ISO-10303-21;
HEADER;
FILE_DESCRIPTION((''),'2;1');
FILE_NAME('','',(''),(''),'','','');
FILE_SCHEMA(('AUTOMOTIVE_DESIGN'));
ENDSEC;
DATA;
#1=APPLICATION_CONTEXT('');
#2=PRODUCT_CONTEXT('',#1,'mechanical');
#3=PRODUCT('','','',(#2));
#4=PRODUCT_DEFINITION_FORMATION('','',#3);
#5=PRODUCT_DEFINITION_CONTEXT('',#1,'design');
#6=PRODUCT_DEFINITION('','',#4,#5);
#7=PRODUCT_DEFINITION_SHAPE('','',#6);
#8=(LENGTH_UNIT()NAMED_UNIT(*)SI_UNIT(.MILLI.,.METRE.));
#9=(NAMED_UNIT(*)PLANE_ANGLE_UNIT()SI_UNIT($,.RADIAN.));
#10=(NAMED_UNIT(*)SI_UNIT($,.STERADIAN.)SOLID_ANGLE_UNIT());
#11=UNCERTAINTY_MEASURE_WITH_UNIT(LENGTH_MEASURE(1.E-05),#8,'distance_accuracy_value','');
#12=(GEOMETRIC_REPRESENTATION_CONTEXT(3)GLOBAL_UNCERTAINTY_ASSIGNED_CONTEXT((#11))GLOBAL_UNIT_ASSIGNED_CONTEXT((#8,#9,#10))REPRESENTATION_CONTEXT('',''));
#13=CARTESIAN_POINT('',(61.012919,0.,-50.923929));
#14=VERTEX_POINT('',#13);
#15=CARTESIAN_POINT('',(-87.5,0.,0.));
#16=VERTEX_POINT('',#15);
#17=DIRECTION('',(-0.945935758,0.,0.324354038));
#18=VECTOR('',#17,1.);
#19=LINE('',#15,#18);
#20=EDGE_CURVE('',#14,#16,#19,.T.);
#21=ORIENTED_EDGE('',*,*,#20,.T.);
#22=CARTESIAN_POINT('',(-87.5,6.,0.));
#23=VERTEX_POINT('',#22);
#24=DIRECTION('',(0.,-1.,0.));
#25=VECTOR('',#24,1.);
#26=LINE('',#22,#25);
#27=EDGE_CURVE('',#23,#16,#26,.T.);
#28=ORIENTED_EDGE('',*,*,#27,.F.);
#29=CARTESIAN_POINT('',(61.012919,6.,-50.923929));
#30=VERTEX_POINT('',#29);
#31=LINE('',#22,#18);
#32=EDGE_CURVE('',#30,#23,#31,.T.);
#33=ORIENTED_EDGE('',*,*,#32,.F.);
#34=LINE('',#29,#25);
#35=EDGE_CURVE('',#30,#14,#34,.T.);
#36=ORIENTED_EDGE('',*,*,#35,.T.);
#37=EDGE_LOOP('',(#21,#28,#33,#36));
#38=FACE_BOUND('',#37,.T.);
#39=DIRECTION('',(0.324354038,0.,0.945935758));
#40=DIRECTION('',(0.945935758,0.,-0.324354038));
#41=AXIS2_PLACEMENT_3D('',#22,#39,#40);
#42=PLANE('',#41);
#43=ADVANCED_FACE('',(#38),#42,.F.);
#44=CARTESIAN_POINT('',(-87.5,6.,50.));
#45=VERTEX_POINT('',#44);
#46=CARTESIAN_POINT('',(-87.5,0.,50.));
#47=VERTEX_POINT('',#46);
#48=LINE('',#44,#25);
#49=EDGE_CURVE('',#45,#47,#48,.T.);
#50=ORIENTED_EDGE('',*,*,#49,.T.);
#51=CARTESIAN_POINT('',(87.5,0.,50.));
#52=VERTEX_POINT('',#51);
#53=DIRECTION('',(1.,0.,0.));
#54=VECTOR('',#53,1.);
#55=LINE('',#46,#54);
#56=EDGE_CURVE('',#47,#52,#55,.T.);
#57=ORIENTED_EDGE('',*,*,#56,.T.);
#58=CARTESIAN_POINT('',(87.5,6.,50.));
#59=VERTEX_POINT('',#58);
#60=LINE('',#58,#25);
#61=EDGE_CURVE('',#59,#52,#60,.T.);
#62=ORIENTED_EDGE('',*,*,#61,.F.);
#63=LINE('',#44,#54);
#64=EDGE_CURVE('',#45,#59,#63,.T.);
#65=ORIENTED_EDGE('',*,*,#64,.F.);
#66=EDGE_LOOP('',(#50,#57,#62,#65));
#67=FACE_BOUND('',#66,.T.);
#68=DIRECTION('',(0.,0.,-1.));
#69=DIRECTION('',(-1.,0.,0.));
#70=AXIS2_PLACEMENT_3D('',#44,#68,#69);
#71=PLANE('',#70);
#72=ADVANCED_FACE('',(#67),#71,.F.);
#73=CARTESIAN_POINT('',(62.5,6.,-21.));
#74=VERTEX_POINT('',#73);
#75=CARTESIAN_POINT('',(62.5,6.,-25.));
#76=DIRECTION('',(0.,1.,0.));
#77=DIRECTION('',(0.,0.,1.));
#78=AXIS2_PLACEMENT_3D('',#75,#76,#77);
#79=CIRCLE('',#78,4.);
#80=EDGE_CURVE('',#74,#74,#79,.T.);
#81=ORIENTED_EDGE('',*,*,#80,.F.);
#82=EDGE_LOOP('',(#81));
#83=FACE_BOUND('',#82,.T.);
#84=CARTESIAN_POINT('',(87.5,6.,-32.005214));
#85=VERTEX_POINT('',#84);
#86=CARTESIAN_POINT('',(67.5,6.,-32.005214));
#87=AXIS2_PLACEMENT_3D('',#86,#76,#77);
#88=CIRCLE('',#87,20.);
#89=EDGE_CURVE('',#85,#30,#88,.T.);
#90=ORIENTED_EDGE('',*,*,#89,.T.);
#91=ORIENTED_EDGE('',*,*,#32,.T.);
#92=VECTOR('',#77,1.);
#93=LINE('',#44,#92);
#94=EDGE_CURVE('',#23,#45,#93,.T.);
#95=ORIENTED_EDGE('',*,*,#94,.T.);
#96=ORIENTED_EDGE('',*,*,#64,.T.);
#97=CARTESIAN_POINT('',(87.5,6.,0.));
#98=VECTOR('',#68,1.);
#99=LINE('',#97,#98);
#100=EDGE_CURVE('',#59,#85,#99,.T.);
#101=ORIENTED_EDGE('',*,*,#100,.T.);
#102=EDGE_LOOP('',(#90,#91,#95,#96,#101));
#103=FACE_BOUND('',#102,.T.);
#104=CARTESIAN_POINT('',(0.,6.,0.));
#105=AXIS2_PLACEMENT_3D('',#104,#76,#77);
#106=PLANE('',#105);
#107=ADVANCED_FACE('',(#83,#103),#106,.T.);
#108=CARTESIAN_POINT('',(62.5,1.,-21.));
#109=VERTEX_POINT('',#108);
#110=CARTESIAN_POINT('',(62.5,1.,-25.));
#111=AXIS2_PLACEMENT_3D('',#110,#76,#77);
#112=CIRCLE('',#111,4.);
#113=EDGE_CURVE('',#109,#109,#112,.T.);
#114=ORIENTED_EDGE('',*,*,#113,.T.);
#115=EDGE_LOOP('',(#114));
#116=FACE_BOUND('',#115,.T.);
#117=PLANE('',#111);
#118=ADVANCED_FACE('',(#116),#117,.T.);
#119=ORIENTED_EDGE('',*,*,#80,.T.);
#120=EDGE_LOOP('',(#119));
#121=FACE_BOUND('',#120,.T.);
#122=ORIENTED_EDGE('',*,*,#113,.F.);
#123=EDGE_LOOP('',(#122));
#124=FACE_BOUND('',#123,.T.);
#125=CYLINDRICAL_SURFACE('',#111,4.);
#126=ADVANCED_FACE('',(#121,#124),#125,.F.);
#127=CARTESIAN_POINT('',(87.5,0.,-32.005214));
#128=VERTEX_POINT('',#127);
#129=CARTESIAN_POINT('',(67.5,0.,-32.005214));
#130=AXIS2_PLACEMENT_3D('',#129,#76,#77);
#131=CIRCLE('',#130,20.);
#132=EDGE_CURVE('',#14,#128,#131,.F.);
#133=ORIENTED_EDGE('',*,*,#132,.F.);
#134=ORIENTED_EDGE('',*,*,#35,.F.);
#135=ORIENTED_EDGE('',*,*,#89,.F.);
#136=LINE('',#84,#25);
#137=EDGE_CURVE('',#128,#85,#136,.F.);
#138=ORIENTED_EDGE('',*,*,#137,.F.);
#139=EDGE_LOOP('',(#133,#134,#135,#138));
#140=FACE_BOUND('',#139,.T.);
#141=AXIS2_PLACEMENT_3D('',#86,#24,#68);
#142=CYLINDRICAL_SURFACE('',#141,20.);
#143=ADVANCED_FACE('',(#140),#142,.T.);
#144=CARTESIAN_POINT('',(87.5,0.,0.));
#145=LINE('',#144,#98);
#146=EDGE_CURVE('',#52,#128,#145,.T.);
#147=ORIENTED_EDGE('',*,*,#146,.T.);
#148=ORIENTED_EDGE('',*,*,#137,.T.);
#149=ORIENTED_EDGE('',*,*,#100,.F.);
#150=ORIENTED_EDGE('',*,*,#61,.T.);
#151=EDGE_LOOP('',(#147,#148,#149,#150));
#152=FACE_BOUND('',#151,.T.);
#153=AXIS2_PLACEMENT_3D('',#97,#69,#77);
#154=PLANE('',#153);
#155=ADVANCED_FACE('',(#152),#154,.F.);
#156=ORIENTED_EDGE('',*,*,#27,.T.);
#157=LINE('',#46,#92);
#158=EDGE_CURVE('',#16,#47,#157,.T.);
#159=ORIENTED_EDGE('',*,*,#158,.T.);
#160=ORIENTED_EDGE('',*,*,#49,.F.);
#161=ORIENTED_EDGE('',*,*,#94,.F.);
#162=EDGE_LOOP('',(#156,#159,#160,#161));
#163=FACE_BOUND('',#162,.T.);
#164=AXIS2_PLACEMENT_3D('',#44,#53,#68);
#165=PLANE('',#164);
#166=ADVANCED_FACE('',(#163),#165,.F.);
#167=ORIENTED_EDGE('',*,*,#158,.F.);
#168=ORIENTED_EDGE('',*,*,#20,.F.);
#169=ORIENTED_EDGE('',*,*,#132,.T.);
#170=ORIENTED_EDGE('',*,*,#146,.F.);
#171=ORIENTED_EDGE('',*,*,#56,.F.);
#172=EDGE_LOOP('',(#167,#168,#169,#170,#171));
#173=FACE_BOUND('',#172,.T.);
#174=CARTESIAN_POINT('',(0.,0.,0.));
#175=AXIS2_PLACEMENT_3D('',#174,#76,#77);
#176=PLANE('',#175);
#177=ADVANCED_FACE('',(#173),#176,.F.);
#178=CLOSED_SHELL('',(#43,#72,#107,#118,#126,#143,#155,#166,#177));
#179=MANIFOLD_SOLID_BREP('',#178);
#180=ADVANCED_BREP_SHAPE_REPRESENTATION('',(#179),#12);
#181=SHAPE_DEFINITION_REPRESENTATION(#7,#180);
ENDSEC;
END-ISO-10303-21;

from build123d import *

# Parameters (mm, degrees)
BOSS_EXTRUDE1_DEPTH = 6
FILLET2_R           = 20
SKETCH7_R           = 4
CUT_EXTRUDE3_DEPTH  = 5


with BuildPart() as part:
    # Sketch4 → Boss-Extrude1 (new body)
    with BuildSketch(Plane(origin=(0, 0, 0), x_dir=(1, 0, 0), z_dir=(0, 1, 0))):
        Polygon((-87.5, -50), (87.5, -50), (87.5, 0), (87.5, 60.006143386), (-87.5, 0), align=None)
    extrude(amount=BOSS_EXTRUDE1_DEPTH)

    # Fillet2
    fillet2_edges = [part.edges().sort_by_distance(p)[0] for p in [
        (87.5, 3, -60.006143386),
    ]]
    fillet(fillet2_edges, radius=FILLET2_R)

    # Sketch7 → Cut-Extrude3 (cut)
    with BuildSketch(Plane(origin=(0, 6, 0), x_dir=(1, 0, 0), z_dir=(0, 1, 0))):
        with Locations(Location((62.5, 25, 0), (0, 0, 270))):
            Circle(SKETCH7_R)
    extrude(amount=-CUT_EXTRUDE3_DEPTH, mode=Mode.SUBTRACT)


solid = part.part
